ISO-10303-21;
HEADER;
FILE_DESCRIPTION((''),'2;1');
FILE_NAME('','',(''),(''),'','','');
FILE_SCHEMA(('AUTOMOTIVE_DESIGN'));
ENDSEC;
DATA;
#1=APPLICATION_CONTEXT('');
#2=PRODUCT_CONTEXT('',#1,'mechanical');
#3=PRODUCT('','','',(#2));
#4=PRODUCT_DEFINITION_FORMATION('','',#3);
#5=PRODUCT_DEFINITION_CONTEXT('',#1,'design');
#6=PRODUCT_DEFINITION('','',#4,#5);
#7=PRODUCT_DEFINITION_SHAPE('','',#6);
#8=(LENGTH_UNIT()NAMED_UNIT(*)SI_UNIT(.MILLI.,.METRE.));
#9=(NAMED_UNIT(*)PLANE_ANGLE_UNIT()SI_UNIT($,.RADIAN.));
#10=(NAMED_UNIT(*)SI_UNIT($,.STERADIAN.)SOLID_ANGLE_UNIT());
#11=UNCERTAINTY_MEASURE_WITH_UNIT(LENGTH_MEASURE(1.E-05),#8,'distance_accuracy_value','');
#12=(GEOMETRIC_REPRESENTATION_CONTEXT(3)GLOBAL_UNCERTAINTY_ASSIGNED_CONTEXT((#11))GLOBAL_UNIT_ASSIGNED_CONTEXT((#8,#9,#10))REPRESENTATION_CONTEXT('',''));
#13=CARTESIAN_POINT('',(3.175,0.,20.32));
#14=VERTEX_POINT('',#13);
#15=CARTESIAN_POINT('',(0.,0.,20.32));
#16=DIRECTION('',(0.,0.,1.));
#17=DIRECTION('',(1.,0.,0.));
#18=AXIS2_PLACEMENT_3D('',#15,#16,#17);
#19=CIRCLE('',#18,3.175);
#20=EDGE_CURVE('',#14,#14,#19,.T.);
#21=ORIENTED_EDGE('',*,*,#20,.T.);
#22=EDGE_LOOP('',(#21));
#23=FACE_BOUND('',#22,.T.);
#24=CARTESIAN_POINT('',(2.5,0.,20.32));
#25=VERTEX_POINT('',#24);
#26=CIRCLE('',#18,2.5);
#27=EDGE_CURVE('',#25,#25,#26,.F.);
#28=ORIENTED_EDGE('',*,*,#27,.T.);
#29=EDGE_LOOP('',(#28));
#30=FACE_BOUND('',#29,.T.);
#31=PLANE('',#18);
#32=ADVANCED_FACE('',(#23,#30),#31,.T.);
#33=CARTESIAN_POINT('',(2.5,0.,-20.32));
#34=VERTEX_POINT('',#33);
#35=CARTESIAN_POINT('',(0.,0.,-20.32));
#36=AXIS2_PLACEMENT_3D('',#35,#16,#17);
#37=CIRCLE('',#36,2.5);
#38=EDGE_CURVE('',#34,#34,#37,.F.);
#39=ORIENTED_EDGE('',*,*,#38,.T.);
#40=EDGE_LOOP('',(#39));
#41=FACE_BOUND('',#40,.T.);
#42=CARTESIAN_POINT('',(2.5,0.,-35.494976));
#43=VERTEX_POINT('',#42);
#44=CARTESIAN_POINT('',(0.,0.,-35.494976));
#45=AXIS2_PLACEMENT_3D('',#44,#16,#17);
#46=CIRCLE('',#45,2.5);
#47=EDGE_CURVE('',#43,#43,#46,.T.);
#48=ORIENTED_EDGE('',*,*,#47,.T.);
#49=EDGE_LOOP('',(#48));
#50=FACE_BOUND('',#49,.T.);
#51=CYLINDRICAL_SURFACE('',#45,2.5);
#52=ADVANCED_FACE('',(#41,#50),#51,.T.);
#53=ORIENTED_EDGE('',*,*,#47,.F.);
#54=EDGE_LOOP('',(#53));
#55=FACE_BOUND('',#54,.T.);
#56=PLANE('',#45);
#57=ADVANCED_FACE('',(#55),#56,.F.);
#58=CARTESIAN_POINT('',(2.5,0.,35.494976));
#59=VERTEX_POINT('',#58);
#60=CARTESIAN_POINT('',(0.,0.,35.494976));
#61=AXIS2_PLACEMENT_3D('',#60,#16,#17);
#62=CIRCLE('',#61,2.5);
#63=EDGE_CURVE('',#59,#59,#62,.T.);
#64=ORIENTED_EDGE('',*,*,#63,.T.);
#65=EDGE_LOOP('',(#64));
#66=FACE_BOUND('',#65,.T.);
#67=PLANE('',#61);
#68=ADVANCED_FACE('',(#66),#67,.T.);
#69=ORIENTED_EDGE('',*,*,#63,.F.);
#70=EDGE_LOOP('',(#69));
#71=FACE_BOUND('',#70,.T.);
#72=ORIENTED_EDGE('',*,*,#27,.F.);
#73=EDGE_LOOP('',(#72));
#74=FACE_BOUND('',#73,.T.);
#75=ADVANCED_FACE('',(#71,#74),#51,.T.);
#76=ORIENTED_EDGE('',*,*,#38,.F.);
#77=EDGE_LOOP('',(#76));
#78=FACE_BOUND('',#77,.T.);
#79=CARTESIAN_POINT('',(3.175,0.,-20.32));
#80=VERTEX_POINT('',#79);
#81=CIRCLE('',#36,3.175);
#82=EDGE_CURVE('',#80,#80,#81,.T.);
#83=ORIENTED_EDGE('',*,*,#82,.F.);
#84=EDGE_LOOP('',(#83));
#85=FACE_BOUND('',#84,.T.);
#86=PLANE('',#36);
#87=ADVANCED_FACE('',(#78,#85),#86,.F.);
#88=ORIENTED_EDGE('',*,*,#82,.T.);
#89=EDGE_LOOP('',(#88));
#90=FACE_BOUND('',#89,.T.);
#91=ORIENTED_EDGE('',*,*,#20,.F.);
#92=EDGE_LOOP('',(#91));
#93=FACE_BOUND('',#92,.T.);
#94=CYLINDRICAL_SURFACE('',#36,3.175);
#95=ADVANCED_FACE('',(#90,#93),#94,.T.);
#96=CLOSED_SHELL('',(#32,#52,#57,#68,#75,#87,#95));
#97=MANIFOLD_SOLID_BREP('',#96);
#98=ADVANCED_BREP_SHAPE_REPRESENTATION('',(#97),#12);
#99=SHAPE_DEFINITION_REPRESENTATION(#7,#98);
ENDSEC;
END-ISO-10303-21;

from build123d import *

# Parameters (mm, degrees)
SKETCH2_R                = 2.5
BOSS_EXTRUDE1_DEPTH      = 35.494976
BOSS_EXTRUDE1_DEPTH_BACK = 35.494976
SKETCH3_R                = 3.175
BOSS_EXTRUDE2_DEPTH      = 20.32
BOSS_EXTRUDE2_DEPTH_BACK = 20.32


with BuildPart() as part:
    # Sketch2 → Boss-Extrude1 (new body, two sides)
    with BuildSketch(Plane.XY) as boss_extrude1_sk:
        Circle(SKETCH2_R)
    extrude(amount=BOSS_EXTRUDE1_DEPTH)
    extrude(boss_extrude1_sk.sketch, amount=-BOSS_EXTRUDE1_DEPTH_BACK)

    # Sketch3 → Boss-Extrude2 (add, two sides)
    with BuildSketch(Plane.XY) as boss_extrude2_sk:
        Circle(SKETCH3_R)
    extrude(amount=BOSS_EXTRUDE2_DEPTH)
    extrude(boss_extrude2_sk.sketch, amount=-BOSS_EXTRUDE2_DEPTH_BACK)


solid = part.part
